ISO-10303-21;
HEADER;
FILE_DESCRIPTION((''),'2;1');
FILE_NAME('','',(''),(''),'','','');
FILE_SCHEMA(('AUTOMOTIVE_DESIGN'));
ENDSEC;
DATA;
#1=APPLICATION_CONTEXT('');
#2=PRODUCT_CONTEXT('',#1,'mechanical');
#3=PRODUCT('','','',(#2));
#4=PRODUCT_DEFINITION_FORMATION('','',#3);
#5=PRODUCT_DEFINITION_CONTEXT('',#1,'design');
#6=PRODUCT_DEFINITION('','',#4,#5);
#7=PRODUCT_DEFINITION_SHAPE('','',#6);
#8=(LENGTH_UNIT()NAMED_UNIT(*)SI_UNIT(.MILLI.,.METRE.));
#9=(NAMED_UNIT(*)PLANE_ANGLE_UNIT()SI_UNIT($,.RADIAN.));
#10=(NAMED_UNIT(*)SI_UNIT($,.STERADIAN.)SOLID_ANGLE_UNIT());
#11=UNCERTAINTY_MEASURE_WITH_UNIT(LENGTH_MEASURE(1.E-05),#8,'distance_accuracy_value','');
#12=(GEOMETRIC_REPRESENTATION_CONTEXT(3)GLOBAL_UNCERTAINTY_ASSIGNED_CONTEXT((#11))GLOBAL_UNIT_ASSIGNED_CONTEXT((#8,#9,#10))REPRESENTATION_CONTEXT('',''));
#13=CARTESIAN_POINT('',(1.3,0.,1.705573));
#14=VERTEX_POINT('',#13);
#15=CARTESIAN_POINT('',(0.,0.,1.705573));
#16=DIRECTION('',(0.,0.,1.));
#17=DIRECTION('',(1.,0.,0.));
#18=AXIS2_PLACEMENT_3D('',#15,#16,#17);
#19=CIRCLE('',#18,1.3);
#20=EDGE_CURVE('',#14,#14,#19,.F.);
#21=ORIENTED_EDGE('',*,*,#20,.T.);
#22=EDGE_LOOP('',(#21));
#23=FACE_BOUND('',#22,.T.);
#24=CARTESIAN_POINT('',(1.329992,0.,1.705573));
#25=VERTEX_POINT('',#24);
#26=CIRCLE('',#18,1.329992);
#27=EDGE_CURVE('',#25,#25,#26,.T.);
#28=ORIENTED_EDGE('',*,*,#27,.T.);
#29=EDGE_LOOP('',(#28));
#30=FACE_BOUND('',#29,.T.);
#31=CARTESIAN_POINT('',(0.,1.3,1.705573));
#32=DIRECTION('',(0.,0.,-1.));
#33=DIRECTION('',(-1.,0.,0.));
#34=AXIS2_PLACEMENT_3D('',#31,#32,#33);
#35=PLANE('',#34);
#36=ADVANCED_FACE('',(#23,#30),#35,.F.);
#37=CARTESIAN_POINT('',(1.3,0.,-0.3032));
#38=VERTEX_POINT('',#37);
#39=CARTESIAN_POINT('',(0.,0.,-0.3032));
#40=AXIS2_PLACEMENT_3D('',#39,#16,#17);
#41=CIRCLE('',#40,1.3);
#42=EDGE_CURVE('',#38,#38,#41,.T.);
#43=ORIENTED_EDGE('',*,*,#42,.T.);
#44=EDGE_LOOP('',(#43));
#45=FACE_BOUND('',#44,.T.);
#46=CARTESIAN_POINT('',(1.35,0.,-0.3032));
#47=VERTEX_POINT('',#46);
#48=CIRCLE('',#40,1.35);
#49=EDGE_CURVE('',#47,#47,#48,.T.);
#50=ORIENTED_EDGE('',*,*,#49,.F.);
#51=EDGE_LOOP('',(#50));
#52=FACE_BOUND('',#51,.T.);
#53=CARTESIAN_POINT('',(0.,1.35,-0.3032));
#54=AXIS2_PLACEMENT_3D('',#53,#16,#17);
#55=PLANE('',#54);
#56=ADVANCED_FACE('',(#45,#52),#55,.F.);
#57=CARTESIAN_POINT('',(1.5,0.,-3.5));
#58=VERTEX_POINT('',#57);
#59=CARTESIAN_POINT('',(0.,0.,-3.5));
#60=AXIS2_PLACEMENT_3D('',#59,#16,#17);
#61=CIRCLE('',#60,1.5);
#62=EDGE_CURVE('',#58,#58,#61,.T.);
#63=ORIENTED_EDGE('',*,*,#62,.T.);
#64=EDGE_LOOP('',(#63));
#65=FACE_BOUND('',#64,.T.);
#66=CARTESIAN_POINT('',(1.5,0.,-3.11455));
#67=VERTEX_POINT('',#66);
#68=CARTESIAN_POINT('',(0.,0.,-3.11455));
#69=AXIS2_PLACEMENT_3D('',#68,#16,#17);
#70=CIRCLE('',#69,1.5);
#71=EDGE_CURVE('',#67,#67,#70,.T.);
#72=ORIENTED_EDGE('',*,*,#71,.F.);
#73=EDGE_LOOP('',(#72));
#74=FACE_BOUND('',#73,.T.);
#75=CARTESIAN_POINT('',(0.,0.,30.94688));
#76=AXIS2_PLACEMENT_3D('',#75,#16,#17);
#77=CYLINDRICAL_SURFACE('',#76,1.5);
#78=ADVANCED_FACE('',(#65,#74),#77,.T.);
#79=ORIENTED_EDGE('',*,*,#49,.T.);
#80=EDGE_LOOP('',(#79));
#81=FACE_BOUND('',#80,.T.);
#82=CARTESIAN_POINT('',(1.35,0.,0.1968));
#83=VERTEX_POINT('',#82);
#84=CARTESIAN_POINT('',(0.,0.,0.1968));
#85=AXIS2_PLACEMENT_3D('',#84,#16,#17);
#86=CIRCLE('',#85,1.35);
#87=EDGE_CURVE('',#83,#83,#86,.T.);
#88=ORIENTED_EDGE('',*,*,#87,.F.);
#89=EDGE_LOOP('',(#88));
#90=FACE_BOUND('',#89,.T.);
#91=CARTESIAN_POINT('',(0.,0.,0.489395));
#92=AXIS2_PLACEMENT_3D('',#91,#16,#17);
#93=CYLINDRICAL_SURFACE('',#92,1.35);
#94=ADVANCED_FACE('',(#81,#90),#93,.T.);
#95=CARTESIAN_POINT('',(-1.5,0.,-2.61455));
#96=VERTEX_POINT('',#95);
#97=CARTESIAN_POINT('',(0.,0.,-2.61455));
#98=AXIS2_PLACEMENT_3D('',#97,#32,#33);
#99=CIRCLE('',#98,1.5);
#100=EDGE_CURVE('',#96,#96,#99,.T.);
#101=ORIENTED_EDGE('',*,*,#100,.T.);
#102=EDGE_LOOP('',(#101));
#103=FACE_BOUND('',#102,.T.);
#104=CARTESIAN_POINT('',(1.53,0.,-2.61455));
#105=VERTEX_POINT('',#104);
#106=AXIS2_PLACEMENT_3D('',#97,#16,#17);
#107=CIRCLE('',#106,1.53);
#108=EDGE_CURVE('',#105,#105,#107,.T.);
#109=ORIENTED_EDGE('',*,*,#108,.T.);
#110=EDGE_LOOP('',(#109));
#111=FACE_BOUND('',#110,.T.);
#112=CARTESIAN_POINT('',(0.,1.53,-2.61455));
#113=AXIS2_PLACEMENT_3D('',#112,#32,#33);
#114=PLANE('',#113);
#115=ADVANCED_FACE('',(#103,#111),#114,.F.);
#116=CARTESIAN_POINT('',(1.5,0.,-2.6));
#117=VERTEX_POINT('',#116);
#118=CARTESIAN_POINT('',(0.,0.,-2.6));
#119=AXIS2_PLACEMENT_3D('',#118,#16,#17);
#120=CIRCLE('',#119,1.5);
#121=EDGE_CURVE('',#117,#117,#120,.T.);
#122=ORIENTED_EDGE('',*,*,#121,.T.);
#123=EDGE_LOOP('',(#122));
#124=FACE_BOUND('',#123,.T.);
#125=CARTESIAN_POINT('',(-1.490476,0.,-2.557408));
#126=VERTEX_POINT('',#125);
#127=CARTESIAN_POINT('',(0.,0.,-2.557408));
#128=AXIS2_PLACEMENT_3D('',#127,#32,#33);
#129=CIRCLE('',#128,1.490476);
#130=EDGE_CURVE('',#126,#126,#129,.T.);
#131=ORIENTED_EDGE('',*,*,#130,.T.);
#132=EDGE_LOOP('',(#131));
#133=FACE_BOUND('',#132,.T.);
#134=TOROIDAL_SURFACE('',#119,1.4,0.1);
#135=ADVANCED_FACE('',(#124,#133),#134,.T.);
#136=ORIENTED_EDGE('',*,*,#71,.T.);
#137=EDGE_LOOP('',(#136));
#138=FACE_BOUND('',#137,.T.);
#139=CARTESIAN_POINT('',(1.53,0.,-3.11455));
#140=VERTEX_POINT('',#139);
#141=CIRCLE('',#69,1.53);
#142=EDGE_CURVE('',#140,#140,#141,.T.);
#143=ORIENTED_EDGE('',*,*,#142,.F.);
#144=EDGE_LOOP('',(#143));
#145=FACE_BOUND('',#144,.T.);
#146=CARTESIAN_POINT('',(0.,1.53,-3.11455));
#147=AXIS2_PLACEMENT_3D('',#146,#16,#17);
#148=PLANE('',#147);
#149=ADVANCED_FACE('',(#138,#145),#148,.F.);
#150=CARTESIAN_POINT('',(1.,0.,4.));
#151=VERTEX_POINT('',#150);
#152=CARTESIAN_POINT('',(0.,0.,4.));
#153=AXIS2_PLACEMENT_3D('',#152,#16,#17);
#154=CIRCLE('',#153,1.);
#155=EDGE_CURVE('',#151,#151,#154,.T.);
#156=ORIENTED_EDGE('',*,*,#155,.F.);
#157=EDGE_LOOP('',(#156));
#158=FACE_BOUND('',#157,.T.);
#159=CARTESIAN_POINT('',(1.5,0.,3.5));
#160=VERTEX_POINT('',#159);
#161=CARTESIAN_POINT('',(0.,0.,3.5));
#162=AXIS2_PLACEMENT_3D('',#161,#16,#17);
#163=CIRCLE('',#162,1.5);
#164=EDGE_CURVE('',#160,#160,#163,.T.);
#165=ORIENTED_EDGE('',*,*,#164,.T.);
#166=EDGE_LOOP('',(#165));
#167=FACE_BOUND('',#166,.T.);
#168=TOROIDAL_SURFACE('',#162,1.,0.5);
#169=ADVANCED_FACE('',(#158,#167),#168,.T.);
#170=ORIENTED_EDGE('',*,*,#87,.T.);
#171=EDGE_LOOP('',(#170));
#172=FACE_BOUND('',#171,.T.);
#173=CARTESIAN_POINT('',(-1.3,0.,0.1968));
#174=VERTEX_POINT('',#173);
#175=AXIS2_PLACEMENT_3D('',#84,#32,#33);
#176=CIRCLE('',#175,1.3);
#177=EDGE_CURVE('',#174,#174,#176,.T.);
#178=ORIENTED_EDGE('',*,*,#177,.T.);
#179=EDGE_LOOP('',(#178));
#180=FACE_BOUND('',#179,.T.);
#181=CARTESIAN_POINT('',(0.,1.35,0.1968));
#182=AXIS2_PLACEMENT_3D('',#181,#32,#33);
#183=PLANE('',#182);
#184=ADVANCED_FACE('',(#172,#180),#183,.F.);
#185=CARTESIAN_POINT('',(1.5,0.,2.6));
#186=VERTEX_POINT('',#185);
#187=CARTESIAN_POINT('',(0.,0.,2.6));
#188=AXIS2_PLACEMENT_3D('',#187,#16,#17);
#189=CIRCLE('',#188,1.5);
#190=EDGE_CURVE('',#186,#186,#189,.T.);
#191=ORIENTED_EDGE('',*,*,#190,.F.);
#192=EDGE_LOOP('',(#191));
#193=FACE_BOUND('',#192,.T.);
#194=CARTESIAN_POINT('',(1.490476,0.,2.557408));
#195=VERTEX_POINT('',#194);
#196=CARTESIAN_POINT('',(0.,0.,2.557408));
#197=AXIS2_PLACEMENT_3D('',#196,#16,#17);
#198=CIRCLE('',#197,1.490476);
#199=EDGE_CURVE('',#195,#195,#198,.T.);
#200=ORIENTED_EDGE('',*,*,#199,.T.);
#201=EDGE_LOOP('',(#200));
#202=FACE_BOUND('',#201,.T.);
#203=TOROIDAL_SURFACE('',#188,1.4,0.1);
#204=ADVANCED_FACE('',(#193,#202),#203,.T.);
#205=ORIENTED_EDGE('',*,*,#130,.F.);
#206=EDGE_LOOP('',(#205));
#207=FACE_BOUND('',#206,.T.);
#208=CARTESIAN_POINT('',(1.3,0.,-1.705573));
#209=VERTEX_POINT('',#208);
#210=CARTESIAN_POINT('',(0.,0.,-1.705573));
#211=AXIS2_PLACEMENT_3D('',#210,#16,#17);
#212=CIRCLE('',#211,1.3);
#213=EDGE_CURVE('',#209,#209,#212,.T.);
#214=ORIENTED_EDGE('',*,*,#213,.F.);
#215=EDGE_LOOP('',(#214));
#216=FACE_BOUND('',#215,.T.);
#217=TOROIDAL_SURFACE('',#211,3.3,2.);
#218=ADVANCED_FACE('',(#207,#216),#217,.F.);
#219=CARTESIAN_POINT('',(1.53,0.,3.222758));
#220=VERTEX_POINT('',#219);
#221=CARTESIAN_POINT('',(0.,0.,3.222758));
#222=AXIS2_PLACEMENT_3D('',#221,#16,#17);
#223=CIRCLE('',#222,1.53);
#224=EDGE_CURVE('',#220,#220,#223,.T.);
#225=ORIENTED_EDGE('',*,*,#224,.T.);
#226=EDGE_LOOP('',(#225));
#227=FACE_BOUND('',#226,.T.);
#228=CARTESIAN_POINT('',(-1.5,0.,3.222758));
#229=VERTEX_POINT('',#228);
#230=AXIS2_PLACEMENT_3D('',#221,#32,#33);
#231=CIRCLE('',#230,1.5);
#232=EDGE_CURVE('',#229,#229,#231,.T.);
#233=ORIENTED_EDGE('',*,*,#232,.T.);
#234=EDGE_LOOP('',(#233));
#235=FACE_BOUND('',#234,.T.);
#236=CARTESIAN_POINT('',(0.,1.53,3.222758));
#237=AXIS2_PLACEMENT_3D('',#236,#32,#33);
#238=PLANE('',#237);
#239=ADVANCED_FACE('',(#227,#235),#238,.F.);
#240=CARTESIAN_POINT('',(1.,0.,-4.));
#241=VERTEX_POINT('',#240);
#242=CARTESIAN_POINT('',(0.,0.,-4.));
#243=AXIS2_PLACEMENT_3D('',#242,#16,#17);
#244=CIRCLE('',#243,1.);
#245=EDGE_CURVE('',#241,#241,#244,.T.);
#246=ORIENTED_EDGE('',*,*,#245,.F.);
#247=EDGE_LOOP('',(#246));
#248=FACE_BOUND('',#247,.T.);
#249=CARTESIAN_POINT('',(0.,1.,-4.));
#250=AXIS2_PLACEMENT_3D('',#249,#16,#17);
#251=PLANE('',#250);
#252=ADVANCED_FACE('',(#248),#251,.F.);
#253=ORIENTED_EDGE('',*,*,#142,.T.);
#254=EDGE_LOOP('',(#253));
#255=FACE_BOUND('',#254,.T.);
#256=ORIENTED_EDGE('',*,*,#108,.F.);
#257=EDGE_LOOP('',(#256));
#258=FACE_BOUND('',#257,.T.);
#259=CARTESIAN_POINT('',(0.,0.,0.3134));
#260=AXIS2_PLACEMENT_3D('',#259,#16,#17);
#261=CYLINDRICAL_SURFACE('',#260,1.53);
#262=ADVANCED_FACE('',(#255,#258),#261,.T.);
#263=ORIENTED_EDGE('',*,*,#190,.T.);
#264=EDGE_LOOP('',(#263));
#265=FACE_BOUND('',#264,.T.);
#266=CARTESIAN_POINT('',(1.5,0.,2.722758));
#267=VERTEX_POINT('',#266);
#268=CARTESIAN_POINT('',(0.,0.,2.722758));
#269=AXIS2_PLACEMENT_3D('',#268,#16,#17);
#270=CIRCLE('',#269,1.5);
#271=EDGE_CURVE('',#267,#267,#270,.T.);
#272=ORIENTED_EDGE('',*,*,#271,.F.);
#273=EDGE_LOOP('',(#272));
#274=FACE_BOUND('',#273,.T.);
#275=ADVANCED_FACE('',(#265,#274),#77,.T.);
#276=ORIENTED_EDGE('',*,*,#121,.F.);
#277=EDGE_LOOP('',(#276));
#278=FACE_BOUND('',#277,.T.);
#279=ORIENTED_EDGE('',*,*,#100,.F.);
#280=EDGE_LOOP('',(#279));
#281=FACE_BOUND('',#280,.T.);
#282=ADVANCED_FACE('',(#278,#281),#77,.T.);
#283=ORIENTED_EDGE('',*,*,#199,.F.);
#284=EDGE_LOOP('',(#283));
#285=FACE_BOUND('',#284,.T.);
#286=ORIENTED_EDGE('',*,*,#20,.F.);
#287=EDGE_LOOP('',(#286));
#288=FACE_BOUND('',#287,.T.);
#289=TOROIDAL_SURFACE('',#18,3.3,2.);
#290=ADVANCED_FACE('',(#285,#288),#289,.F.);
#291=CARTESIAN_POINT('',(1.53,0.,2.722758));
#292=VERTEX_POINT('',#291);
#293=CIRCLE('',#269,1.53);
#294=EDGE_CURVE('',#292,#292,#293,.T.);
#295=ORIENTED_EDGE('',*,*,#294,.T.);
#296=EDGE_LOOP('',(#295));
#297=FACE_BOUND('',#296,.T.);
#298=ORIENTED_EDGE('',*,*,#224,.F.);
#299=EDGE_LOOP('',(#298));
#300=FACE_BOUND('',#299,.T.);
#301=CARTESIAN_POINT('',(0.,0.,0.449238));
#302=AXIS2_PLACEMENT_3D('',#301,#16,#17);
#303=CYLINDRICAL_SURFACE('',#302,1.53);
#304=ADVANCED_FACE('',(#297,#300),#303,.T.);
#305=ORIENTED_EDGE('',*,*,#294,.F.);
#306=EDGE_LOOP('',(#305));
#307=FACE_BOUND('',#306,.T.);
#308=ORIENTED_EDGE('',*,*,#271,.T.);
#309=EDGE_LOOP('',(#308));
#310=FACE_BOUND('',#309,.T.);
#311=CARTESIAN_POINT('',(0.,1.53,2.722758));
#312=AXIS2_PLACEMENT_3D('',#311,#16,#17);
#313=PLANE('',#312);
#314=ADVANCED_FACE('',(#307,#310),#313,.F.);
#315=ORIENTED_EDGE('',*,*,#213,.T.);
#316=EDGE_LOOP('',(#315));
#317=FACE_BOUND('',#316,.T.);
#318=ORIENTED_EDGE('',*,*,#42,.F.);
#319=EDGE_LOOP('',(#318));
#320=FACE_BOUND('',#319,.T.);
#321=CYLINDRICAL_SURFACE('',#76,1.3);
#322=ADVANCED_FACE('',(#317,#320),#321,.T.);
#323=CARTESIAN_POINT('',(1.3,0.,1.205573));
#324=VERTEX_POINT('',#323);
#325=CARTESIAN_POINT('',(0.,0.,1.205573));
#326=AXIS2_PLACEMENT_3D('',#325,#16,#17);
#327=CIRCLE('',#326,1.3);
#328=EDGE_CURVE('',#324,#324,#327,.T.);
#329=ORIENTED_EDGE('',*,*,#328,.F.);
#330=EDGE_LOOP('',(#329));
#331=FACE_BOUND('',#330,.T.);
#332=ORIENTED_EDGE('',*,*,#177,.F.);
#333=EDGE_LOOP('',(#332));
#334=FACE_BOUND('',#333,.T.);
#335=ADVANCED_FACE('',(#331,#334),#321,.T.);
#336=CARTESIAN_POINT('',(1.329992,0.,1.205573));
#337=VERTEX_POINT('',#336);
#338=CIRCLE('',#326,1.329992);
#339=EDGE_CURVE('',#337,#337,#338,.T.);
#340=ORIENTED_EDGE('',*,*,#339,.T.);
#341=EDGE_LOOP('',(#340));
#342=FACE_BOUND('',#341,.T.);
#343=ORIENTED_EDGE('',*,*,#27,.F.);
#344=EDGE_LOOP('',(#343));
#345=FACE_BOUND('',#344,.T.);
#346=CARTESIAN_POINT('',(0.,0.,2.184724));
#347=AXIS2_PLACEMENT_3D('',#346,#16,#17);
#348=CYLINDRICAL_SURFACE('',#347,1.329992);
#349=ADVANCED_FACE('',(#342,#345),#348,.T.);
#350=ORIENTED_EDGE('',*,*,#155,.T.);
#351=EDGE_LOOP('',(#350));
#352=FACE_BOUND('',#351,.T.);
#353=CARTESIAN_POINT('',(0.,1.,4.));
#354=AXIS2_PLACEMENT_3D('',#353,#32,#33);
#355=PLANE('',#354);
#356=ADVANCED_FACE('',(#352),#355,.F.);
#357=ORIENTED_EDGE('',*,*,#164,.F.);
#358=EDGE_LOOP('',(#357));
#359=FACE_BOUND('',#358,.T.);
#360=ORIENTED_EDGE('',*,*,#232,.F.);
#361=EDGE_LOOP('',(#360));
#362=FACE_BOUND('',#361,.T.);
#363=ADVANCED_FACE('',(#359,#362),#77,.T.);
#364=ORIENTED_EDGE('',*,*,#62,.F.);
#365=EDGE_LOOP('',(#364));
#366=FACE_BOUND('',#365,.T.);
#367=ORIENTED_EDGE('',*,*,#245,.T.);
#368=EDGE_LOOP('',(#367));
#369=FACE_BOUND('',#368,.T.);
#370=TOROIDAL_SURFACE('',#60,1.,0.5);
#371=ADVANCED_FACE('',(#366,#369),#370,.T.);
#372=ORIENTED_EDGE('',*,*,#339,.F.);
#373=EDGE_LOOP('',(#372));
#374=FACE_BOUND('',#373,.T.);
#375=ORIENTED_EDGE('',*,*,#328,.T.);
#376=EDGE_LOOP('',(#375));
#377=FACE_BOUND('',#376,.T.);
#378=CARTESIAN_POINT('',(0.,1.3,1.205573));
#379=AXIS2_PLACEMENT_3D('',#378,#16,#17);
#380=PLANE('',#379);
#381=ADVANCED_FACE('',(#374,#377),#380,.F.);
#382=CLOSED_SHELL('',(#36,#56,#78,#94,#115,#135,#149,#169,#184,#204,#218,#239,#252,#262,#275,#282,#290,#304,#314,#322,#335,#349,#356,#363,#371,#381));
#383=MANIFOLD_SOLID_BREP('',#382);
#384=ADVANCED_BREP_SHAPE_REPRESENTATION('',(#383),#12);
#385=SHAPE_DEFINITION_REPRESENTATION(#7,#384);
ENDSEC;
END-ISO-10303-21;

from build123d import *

# Parameters (mm, degrees)
FILLET1_R = 2
SKETCH2_W = 0.5
SKETCH2_H = 0.029991608
SKETCH3_W = 0.5
SKETCH3_H = 0.05
SKETCH4_W = 0.5
SKETCH4_H = 0.03
SKETCH5_W = 0.5
SKETCH5_H = 0.03


with BuildPart() as part:
    # Sketch1 → Revolve1 (revolve)
    with BuildSketch(Plane(origin=(0, 0, 0), x_dir=(0, 0, -1), z_dir=(1, 0, 0))):
        with BuildLine():
            Line((2.6, 1.5), (3.5, 1.5))
            ThreePointArc((3.5, 1.5), (3.853553391, 1.353553391), (4, 1))
            Line((4, 1), (4, 0))
            Line((4, 0), (-4, 0))
            Line((-4, 0), (-4, 1))
            ThreePointArc((-4, 1), (-3.853553391, 1.353553391), (-3.5, 1.5))
            Line((-3.5, 1.5), (-2.6, 1.5))
            ThreePointArc((-2.6, 1.5), (-2.529289322, 1.470710678), (-2.5, 1.4))
            Line((-2.5, 1.4), (-2.5, 1.3))
            Line((-2.5, 1.3), (2.5, 1.3))
            Line((2.5, 1.3), (2.5, 1.4))
            ThreePointArc((2.5, 1.4), (2.529289322, 1.470710678), (2.6, 1.5))
        make_face()
    revolve(axis=Axis((0, 0, 30.94688027), (0, 0, -1)))

    # Fillet1
    fillet1_edges = [part.edges().sort_by_distance(p)[0] for p in [
        (0, -1.3, -2.5),
        (0, -1.3, 2.5),
    ]]
    fillet(fillet1_edges, radius=FILLET1_R)

    # Sketch2 → Revolve2 (revolve)
    with BuildSketch(Plane(origin=(0, 0, 0), x_dir=(0, 0, -1), z_dir=(1, 0, 0))):
        with Locations((-1.455572809, 1.314995804)):
            Rectangle(SKETCH2_W, SKETCH2_H)
    revolve(axis=Axis((0, 0, 2.184724067), (0, 0, -1)))

    # Sketch3 → Revolve3 (revolve)
    with BuildSketch(Plane(origin=(0, 0, 0), x_dir=(0, 0, -1), z_dir=(1, 0, 0))):
        with Locations((0.053199548, 1.325)):
            Rectangle(SKETCH3_W, SKETCH3_H)
    revolve(axis=Axis((0, 0, 0.48939527), (0, 0, -1)))

    # Sketch4 → Revolve4 (revolve)
    with BuildSketch(Plane(origin=(0, 0, 0), x_dir=(0, 0, -1), z_dir=(1, 0, 0))):
        with Locations((-2.972757668, 1.515)):
            Rectangle(SKETCH4_W, SKETCH4_H)
    revolve(axis=Axis((0, 0, 0.449237838), (0, 0, -1)))

    # Sketch5 → Revolve5 (revolve)
    with BuildSketch(Plane(origin=(0, 0, 0), x_dir=(0, 0, -1), z_dir=(1, 0, 0))):
        with Locations((2.864549609, 1.515)):
            Rectangle(SKETCH5_W, SKETCH5_H)
    revolve(axis=Axis((0, 0, 0.313399994), (0, 0, -1)))


solid = part.part
